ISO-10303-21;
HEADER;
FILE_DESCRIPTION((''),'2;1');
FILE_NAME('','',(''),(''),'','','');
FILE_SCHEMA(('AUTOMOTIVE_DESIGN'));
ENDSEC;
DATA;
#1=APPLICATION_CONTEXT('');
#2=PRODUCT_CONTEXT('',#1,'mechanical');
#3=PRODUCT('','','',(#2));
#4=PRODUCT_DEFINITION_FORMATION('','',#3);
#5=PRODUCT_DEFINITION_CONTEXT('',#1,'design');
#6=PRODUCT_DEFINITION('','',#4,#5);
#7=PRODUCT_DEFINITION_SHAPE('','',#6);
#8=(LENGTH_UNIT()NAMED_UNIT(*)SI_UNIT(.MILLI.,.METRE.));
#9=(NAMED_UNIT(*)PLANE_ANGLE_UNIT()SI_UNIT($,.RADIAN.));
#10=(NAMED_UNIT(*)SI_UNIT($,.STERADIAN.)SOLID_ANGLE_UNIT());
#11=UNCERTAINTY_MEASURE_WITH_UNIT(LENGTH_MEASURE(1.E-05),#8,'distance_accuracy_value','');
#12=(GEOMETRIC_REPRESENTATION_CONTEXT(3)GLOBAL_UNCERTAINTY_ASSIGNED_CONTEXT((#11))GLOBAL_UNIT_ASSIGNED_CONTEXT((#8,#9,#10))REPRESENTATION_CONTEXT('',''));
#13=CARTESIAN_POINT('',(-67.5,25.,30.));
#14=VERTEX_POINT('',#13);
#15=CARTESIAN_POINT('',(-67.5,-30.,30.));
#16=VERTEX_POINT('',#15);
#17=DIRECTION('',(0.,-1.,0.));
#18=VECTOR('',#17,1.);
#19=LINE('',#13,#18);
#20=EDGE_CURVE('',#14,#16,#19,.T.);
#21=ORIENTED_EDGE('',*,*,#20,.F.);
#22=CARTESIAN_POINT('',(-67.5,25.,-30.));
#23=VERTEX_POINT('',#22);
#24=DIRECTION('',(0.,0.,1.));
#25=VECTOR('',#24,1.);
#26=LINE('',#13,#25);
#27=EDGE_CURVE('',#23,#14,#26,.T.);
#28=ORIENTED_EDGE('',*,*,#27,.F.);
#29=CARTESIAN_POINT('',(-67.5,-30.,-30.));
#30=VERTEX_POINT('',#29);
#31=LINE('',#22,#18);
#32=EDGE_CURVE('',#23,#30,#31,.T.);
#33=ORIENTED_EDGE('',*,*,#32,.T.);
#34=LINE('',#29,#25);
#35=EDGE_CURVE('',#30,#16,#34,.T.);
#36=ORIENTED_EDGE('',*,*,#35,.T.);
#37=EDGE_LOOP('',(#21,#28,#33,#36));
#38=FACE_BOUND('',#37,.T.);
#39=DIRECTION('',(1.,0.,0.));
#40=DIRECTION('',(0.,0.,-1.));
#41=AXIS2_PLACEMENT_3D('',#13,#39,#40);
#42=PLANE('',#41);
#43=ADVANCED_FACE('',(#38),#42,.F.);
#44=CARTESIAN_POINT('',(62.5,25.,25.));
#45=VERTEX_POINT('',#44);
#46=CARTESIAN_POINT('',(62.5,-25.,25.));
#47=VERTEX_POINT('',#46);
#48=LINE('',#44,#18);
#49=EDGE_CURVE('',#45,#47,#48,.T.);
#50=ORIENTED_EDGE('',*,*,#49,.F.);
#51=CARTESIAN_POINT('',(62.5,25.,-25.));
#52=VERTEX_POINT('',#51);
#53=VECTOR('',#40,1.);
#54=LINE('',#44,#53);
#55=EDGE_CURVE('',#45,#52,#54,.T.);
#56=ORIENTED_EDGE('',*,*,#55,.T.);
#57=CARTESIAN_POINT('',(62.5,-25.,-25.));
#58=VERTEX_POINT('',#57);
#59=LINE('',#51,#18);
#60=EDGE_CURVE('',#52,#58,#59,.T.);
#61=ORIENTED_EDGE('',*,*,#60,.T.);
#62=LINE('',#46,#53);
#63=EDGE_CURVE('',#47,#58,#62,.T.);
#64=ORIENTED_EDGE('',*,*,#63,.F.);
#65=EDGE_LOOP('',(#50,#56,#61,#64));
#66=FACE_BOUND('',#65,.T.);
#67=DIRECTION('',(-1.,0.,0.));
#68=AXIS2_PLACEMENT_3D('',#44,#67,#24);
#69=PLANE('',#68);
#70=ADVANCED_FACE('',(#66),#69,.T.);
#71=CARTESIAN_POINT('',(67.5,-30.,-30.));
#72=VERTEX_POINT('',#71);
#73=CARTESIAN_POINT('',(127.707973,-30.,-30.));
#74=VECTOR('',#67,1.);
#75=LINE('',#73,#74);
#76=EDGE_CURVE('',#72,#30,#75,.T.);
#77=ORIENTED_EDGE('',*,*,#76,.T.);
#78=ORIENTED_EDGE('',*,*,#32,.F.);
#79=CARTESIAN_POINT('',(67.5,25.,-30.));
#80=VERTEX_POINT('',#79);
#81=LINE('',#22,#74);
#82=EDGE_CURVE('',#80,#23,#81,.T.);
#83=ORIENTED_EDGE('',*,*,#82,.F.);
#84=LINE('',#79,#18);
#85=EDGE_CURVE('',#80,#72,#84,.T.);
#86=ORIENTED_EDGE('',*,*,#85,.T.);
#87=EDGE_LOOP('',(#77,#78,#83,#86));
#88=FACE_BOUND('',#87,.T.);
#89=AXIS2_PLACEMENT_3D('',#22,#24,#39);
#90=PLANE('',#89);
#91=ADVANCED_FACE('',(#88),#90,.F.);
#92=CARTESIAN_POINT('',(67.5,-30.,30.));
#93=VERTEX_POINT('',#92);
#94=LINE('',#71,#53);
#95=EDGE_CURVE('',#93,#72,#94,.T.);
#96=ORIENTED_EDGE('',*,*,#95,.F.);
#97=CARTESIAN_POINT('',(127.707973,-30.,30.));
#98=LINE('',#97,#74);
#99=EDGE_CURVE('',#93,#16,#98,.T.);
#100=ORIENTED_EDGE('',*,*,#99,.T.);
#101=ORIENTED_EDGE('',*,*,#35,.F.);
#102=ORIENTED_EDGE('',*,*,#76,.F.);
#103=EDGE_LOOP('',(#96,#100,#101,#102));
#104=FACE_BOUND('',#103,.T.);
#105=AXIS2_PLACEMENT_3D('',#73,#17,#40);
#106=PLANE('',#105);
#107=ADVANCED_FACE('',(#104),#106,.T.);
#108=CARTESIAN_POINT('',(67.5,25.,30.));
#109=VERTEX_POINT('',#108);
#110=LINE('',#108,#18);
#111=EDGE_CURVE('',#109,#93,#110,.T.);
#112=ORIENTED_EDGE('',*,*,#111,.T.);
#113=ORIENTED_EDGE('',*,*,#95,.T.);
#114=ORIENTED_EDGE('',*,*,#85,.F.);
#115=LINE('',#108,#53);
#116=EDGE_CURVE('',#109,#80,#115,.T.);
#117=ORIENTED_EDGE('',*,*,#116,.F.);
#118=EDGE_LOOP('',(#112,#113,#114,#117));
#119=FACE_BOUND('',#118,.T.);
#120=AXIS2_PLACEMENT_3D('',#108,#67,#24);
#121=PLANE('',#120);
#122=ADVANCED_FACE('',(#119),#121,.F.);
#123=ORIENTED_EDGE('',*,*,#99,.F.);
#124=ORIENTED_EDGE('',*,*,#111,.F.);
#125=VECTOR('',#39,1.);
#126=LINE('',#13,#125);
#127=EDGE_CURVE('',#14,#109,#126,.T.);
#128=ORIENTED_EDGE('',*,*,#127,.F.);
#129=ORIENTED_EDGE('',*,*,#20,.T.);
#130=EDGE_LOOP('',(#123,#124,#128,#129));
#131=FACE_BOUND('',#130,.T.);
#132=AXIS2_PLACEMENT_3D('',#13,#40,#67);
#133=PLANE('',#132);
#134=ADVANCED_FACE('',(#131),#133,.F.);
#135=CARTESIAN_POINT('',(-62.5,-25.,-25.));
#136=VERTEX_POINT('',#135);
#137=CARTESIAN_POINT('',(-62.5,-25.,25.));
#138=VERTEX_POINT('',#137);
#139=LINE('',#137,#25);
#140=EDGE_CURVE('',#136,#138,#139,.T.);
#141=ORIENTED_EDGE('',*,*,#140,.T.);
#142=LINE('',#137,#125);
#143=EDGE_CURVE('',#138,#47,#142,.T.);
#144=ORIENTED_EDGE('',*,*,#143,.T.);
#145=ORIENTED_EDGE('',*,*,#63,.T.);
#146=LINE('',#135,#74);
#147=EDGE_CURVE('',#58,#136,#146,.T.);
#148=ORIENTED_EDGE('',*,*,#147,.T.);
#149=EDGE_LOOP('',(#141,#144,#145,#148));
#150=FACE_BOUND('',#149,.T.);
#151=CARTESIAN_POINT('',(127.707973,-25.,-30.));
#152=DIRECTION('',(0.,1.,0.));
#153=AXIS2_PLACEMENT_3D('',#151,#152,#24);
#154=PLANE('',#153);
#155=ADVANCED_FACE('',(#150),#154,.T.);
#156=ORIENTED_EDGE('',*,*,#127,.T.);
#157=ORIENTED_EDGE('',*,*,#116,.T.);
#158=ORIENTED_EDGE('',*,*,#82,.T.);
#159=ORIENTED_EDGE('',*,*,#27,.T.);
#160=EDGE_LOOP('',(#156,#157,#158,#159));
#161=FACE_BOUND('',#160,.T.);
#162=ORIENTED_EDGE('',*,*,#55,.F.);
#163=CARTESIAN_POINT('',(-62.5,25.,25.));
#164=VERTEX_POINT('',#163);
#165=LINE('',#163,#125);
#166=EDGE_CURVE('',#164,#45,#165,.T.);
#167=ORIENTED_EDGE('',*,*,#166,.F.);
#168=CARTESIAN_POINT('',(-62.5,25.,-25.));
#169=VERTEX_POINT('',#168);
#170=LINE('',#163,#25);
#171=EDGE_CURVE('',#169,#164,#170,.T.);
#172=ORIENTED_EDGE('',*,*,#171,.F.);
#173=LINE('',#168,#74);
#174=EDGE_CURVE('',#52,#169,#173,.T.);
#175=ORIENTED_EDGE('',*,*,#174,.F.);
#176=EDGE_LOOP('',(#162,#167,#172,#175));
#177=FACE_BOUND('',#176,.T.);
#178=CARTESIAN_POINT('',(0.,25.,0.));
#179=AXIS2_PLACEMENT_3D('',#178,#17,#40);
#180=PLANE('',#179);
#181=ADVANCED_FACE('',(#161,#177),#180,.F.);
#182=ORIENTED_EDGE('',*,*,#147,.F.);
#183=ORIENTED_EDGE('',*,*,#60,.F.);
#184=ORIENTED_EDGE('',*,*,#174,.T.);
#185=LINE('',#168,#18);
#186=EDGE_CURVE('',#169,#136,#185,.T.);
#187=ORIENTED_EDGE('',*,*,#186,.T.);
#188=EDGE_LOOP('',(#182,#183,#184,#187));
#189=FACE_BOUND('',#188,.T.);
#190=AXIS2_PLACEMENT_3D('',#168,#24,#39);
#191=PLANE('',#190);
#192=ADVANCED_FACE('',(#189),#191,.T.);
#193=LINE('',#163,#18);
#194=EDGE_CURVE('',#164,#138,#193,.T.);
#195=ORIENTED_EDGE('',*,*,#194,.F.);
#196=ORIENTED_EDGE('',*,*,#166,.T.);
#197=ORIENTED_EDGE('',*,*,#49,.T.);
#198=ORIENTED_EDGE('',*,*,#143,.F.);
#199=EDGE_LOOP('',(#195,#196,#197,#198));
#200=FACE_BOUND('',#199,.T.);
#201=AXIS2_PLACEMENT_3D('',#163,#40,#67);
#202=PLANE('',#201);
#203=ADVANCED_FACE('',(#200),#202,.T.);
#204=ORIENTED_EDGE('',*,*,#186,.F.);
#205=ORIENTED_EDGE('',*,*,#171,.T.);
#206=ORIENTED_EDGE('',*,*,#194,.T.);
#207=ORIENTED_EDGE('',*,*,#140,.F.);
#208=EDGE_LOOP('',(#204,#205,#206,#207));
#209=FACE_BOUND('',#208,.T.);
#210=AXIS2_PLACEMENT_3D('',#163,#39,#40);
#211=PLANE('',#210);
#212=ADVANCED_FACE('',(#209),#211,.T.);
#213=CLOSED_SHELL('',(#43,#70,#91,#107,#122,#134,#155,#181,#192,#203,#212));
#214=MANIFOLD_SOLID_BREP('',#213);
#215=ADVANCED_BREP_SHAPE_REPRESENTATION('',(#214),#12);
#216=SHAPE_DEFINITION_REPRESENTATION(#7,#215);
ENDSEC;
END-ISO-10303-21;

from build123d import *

# Parameters (mm, degrees)
SKETCH8_W           = 135
SKETCH8_H           = 60
SKETCH8_W_2         = 125
SKETCH8_H_2         = 50
BOSS_EXTRUDE1_DEPTH = 25
SKETCH9_W           = 60
SKETCH9_H           = 5
BOSS_EXTRUDE2_DEPTH = 135


with BuildPart() as part:
    # Sketch8 → Boss-Extrude1 (new, symmetric)
    with BuildSketch(Plane(origin=(0, 0, 0), x_dir=(1, 0, 0), z_dir=(0, 1, 0))):
        Rectangle(SKETCH8_W, SKETCH8_H)
        Rectangle(SKETCH8_W_2, SKETCH8_H_2, mode=Mode.SUBTRACT)
    extrude(amount=BOSS_EXTRUDE1_DEPTH, both=True)

    # Sketch9 → Boss-Extrude2 (add)
    with BuildSketch(Plane.ZY.offset(67.5)):
        with Locations((0, -27.5)):
            Rectangle(SKETCH9_W, SKETCH9_H)
    extrude(amount=-BOSS_EXTRUDE2_DEPTH)


solid = part.part
